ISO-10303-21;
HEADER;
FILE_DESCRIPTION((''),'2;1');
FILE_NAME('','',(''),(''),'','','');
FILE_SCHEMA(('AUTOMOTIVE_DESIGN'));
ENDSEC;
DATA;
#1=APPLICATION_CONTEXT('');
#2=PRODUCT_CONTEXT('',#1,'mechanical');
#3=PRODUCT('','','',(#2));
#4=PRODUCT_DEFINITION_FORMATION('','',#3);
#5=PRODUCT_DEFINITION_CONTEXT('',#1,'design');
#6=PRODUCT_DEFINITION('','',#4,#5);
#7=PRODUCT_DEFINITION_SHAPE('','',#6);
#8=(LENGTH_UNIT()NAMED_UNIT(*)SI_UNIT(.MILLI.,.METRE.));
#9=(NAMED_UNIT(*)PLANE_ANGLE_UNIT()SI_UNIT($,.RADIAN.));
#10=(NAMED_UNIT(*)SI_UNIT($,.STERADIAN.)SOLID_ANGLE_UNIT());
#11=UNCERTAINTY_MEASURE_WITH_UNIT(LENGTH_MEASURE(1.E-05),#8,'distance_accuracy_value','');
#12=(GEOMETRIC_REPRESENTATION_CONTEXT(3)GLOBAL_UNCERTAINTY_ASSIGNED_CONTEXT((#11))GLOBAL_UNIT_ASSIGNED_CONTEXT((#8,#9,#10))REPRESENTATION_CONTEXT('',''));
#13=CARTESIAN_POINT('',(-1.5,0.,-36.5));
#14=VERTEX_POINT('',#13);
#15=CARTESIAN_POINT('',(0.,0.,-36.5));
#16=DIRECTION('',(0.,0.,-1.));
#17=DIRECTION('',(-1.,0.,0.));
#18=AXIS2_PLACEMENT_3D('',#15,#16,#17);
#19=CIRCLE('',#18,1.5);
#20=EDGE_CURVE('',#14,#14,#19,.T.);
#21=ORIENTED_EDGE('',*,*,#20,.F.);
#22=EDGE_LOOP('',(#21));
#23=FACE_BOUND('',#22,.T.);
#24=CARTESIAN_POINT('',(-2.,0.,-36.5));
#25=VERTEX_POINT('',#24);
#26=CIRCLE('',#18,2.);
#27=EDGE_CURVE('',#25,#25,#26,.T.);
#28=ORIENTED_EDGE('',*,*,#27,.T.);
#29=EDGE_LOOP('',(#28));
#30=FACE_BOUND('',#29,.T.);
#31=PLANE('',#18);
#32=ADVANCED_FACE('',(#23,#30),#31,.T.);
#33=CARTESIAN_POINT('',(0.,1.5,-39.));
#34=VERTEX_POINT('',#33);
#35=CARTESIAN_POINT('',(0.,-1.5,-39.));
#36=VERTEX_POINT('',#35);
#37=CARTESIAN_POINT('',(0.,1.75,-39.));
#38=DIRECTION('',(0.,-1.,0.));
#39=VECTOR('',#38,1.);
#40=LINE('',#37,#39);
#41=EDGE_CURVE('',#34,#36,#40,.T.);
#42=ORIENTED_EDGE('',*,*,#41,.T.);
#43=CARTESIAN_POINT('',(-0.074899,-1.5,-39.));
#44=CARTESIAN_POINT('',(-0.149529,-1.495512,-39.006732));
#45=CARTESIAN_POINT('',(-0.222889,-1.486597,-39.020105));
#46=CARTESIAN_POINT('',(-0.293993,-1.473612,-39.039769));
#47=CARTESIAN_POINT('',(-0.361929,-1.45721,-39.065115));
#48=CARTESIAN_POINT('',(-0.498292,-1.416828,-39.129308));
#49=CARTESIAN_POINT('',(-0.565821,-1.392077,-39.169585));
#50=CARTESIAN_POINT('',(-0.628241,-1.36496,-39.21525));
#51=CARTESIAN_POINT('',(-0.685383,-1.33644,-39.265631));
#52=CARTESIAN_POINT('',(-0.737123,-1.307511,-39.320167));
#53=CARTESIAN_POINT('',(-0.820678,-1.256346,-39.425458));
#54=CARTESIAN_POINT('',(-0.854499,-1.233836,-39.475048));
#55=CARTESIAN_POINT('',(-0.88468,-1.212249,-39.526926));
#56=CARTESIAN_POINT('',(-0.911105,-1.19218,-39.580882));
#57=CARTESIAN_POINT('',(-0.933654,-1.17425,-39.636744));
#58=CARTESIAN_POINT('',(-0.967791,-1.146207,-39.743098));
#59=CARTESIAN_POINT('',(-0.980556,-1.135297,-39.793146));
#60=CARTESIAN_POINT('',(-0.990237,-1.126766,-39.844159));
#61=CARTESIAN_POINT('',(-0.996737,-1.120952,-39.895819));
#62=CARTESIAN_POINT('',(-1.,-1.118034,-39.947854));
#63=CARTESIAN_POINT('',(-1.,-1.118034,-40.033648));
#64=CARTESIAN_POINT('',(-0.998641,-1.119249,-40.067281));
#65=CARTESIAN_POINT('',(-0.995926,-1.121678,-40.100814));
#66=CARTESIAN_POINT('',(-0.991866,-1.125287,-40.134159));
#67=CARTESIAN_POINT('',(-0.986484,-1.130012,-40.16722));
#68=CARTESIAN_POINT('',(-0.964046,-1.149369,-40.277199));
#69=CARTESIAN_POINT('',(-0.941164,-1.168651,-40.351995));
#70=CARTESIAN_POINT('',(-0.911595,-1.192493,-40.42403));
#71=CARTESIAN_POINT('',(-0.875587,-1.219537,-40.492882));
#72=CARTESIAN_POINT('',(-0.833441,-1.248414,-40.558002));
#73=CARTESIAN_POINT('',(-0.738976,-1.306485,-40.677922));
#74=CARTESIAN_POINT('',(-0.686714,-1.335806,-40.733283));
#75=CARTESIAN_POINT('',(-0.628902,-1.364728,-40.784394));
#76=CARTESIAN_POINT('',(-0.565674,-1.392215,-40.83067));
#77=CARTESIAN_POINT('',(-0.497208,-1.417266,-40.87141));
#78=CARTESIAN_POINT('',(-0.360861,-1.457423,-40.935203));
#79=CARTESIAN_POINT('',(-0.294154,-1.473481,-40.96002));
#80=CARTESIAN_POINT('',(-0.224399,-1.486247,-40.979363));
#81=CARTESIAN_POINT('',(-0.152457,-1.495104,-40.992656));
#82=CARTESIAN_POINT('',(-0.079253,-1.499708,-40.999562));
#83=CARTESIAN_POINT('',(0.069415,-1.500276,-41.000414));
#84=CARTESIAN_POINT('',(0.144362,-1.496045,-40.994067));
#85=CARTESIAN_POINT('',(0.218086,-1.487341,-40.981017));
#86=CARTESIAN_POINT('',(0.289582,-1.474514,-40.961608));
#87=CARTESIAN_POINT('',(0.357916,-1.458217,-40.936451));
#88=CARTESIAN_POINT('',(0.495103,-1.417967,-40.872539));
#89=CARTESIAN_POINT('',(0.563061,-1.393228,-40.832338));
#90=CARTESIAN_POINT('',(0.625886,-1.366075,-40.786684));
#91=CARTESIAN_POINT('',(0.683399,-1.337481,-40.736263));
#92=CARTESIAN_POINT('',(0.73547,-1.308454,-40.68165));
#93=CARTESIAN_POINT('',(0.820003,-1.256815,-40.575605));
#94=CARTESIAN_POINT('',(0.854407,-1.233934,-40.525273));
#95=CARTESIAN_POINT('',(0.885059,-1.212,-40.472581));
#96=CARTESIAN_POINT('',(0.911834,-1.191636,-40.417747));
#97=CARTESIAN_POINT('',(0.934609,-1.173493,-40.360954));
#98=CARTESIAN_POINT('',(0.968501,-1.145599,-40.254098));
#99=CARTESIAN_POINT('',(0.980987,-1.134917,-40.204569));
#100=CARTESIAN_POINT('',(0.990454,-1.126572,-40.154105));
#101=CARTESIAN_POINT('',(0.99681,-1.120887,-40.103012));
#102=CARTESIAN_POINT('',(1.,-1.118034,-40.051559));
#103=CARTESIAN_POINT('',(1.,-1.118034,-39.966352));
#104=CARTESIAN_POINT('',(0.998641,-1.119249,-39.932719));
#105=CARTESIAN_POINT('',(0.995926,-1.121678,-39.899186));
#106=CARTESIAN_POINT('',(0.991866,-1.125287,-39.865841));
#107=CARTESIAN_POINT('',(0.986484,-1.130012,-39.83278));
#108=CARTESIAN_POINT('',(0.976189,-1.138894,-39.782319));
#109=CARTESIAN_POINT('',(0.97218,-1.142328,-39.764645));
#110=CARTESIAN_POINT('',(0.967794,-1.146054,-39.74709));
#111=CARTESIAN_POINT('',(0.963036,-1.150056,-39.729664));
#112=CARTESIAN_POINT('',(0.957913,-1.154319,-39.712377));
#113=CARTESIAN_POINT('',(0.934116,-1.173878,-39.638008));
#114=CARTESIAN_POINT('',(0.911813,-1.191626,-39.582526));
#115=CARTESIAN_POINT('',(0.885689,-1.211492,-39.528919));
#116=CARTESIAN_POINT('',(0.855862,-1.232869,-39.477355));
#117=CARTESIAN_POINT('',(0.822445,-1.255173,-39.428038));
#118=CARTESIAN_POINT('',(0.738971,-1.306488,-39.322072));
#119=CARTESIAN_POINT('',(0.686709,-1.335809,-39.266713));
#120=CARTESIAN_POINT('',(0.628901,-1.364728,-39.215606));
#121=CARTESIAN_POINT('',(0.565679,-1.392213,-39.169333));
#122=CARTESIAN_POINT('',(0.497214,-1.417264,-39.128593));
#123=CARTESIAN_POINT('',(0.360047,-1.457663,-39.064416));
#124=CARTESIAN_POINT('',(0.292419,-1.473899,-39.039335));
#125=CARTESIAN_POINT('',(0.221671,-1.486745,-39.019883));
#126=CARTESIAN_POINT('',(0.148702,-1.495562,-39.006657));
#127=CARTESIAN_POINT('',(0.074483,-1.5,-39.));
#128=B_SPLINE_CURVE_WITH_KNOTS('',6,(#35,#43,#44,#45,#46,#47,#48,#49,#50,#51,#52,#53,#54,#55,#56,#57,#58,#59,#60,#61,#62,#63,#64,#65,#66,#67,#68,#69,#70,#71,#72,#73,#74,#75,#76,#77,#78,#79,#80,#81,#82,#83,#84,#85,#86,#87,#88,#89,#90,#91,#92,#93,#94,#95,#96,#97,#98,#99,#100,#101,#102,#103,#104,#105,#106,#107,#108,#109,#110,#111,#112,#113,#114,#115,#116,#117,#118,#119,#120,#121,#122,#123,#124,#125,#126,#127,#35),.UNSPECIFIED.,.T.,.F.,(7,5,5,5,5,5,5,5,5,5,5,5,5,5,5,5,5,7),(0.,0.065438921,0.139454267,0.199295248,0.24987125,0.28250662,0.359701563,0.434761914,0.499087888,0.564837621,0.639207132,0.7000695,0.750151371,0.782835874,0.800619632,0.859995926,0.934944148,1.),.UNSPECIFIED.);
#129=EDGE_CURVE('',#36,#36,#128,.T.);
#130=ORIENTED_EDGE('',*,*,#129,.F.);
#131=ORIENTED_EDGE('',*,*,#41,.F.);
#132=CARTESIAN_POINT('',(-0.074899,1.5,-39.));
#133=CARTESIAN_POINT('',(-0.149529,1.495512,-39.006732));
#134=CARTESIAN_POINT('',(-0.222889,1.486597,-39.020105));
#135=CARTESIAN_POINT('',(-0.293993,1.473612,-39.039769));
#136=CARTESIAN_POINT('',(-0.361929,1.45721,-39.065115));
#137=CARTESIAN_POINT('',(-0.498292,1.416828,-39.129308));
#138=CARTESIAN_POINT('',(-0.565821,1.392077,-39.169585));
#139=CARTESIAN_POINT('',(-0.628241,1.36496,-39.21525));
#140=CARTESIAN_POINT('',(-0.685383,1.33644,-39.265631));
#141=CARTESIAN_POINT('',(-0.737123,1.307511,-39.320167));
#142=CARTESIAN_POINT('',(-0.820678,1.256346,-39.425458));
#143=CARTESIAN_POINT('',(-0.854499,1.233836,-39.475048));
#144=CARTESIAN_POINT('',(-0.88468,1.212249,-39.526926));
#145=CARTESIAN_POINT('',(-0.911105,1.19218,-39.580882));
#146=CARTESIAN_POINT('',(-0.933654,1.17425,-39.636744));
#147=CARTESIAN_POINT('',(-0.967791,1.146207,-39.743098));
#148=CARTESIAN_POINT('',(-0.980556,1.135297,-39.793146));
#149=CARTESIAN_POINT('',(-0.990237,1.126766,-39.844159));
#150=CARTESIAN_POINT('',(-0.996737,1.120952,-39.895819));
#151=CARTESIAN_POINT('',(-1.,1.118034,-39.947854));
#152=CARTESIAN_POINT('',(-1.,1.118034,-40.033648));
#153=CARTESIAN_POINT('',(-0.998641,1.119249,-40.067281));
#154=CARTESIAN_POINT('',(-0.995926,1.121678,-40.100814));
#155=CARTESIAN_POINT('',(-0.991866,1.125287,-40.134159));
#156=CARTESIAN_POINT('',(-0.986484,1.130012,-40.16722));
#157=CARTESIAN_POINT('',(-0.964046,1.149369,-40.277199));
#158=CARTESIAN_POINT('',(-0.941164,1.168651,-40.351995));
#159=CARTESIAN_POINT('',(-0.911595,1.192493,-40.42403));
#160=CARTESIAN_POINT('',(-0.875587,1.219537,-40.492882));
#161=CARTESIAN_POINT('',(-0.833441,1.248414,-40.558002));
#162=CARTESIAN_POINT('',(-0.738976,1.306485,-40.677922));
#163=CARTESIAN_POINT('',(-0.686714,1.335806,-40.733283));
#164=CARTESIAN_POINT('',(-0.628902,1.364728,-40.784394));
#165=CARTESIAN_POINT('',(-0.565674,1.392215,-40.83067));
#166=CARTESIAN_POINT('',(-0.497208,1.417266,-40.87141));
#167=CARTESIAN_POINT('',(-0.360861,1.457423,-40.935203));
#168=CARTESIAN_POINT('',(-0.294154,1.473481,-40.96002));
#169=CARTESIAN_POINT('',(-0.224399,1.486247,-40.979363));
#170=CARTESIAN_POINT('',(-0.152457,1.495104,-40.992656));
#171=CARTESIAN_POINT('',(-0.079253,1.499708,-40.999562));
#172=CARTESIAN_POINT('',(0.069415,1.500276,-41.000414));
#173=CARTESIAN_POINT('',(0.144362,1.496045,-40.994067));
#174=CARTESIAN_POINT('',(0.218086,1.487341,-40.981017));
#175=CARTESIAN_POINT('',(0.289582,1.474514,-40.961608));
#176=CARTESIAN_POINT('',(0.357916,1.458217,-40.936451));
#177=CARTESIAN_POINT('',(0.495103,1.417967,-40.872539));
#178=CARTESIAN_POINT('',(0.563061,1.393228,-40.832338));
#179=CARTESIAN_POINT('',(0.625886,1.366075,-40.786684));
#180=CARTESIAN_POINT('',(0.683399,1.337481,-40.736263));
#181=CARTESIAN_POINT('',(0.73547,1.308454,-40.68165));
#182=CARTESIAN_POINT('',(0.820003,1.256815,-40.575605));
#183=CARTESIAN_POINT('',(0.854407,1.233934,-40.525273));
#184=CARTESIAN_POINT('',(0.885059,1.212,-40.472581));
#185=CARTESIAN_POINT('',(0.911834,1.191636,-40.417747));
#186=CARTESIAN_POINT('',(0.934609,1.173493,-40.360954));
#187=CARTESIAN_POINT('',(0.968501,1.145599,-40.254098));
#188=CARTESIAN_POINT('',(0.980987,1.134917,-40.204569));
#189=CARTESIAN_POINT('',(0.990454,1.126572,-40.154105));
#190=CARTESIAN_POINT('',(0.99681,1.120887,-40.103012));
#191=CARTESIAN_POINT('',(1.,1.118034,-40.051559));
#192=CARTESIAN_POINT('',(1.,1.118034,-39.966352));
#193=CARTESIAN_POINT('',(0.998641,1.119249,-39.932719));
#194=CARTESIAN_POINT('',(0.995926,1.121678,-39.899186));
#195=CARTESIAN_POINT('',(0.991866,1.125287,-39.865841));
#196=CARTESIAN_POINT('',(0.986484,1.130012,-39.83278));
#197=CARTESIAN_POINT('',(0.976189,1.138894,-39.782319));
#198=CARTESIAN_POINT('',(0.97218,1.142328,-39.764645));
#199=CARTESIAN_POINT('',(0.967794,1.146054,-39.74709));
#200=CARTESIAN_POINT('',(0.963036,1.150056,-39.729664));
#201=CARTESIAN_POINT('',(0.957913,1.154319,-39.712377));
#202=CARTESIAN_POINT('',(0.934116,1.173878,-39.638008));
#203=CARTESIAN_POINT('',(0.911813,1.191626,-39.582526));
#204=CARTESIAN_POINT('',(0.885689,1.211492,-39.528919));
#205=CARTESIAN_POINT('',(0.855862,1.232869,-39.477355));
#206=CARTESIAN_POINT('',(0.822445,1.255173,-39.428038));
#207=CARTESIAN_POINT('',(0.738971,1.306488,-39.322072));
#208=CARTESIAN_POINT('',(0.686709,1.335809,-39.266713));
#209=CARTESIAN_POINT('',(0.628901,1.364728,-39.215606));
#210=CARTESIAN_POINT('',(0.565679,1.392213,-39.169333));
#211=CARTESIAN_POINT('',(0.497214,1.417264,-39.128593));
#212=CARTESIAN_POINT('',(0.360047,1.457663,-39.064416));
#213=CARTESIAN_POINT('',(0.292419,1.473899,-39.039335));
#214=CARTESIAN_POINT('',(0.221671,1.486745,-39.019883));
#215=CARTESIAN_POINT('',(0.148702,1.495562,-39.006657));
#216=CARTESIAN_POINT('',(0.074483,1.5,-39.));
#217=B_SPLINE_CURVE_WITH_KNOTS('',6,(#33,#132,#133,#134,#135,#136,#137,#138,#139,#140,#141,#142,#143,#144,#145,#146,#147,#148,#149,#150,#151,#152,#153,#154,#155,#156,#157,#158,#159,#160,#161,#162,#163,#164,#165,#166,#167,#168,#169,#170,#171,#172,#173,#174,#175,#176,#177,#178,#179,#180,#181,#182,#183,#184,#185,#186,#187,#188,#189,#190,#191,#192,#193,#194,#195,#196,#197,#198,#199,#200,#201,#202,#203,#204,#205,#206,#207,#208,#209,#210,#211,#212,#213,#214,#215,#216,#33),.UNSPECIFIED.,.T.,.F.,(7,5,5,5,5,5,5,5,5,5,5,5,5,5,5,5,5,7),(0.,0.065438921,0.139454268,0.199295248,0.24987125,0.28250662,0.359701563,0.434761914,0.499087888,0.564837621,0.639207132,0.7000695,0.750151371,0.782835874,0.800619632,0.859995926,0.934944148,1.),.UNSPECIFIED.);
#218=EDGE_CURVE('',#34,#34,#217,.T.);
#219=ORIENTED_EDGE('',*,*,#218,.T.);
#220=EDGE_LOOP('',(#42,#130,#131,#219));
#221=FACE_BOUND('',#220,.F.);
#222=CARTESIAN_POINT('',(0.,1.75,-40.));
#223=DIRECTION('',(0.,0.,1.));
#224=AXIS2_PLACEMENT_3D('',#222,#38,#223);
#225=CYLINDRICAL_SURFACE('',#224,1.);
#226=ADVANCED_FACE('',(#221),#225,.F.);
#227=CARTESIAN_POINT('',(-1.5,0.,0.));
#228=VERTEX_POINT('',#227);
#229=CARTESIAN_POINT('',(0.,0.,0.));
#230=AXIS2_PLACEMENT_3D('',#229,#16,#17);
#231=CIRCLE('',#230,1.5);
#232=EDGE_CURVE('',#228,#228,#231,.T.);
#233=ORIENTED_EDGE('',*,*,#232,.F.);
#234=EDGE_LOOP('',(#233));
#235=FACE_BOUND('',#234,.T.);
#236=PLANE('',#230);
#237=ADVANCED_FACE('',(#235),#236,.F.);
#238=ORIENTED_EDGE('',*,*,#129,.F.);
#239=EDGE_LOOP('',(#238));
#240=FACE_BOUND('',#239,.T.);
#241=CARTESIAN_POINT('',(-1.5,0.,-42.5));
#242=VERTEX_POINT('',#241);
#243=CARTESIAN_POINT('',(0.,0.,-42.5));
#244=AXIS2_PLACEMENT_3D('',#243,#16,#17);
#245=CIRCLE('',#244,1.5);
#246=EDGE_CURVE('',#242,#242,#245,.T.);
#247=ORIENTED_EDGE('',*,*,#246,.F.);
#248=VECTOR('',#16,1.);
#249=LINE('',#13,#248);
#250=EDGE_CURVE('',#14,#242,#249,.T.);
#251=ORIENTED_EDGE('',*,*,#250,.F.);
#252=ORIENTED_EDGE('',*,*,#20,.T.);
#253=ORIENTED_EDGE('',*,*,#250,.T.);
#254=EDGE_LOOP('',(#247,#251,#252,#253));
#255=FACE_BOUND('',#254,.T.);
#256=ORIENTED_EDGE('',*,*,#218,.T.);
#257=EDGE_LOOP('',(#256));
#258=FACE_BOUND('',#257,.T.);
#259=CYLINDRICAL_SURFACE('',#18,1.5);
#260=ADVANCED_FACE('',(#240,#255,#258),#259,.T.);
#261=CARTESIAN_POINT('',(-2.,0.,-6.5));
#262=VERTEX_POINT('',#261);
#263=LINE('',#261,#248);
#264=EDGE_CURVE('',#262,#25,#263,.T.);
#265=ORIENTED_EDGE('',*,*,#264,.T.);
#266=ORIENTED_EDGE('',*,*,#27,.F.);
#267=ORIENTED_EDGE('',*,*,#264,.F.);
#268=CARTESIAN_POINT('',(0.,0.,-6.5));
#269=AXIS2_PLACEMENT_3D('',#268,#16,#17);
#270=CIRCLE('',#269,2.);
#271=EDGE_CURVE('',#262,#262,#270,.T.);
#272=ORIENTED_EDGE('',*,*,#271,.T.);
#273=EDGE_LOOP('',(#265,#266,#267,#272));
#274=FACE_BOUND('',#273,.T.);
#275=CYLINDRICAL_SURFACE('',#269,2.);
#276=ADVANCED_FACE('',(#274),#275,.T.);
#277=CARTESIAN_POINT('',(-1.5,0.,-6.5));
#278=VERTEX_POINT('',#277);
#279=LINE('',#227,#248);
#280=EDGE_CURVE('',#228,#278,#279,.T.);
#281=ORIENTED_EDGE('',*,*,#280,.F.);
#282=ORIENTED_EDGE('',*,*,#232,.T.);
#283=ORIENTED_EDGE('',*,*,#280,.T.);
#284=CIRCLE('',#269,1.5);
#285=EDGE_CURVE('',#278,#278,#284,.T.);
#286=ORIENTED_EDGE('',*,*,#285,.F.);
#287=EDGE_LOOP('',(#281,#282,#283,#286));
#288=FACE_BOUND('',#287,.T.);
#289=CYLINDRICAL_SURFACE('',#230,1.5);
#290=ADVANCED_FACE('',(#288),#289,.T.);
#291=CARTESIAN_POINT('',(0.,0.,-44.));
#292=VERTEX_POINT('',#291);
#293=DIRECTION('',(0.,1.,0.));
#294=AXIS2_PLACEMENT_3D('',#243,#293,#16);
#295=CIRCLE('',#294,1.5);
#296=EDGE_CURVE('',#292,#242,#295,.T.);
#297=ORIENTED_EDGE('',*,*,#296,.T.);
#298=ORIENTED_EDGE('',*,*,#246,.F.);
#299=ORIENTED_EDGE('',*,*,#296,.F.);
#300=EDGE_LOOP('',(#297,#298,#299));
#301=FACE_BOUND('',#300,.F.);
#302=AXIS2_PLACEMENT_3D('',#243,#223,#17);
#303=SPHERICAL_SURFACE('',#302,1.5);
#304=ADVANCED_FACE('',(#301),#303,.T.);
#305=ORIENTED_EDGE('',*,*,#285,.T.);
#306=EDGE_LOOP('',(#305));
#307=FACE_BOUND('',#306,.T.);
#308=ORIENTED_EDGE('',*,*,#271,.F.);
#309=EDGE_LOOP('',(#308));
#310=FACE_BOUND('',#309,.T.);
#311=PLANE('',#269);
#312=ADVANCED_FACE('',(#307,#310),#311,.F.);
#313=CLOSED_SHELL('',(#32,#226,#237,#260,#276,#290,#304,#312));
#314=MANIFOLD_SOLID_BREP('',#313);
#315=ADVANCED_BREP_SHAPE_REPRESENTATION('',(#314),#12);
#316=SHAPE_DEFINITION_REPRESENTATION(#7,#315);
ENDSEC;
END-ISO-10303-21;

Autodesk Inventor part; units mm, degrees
ref_plane "YZ Plane" through (0, 0, 0) normal (1, 0, 0) x (0, 1, 0)
ref_plane "XY Plane" through (0, 0, 0) normal (0, 0, 1) x (1, 0, 0)
sketch "Skizze1" plane through (0, 0, 0) normal (0, 1, 0) x (-1, 0, 0)
  line L0 (0, 0) -> (1.5, 0)
  line L1 (1.5, 0) -> (1.5, -6.5)
  line L2 (1.5, -6.5) -> (2, -6.5)
  line L3 (2, -6.5) -> (2, -36.5)
  line L4 (0, 0) -> (0, -44)
  line L5 (2, -36.5) -> (1.5, -36.5)
  line L6 (1.5, -36.5) -> (1.5, -42.5)
  arc A0 (0, -44) -> (1.5, -42.5) centre (0, -42.5) ccw
  point P0 (0, -26.7554)
  dimension "d0" = 6.5
  dimension "d1" = 3
  dimension "d2" = 4
  dimension "d5" = 30
  dimension "d6" = 0.5
  dimension "d7" = 6
revolve "Umdrehung1" add sketch "Skizze1" angle 360 about axis through (0, 0, 0) along (0, 0, -1)
thread "Gewinde1" size "M3x0.5" class "6g" standard "ISO Metric profile" length 18
ref_plane "Arbeitsebene1" through (0, 1.75, 0) normal (0, 1, 0) x (-1, 0, 0)
sketch "Skizze2" plane through (0, 1.75, 0) normal (0, 1, 0) x (-1, 0, 0)
  line L0 (-2, -36.5) -> (2, -36.5) projected
  point P0 (0, 0)
  point P1 (0, -40)
  dimension "d13" = 3.5
hole "Bohrung1" at (0, 1.75, -40) direction (0, -1, 0) diameter 2 end through all
properties part number "19_2"
